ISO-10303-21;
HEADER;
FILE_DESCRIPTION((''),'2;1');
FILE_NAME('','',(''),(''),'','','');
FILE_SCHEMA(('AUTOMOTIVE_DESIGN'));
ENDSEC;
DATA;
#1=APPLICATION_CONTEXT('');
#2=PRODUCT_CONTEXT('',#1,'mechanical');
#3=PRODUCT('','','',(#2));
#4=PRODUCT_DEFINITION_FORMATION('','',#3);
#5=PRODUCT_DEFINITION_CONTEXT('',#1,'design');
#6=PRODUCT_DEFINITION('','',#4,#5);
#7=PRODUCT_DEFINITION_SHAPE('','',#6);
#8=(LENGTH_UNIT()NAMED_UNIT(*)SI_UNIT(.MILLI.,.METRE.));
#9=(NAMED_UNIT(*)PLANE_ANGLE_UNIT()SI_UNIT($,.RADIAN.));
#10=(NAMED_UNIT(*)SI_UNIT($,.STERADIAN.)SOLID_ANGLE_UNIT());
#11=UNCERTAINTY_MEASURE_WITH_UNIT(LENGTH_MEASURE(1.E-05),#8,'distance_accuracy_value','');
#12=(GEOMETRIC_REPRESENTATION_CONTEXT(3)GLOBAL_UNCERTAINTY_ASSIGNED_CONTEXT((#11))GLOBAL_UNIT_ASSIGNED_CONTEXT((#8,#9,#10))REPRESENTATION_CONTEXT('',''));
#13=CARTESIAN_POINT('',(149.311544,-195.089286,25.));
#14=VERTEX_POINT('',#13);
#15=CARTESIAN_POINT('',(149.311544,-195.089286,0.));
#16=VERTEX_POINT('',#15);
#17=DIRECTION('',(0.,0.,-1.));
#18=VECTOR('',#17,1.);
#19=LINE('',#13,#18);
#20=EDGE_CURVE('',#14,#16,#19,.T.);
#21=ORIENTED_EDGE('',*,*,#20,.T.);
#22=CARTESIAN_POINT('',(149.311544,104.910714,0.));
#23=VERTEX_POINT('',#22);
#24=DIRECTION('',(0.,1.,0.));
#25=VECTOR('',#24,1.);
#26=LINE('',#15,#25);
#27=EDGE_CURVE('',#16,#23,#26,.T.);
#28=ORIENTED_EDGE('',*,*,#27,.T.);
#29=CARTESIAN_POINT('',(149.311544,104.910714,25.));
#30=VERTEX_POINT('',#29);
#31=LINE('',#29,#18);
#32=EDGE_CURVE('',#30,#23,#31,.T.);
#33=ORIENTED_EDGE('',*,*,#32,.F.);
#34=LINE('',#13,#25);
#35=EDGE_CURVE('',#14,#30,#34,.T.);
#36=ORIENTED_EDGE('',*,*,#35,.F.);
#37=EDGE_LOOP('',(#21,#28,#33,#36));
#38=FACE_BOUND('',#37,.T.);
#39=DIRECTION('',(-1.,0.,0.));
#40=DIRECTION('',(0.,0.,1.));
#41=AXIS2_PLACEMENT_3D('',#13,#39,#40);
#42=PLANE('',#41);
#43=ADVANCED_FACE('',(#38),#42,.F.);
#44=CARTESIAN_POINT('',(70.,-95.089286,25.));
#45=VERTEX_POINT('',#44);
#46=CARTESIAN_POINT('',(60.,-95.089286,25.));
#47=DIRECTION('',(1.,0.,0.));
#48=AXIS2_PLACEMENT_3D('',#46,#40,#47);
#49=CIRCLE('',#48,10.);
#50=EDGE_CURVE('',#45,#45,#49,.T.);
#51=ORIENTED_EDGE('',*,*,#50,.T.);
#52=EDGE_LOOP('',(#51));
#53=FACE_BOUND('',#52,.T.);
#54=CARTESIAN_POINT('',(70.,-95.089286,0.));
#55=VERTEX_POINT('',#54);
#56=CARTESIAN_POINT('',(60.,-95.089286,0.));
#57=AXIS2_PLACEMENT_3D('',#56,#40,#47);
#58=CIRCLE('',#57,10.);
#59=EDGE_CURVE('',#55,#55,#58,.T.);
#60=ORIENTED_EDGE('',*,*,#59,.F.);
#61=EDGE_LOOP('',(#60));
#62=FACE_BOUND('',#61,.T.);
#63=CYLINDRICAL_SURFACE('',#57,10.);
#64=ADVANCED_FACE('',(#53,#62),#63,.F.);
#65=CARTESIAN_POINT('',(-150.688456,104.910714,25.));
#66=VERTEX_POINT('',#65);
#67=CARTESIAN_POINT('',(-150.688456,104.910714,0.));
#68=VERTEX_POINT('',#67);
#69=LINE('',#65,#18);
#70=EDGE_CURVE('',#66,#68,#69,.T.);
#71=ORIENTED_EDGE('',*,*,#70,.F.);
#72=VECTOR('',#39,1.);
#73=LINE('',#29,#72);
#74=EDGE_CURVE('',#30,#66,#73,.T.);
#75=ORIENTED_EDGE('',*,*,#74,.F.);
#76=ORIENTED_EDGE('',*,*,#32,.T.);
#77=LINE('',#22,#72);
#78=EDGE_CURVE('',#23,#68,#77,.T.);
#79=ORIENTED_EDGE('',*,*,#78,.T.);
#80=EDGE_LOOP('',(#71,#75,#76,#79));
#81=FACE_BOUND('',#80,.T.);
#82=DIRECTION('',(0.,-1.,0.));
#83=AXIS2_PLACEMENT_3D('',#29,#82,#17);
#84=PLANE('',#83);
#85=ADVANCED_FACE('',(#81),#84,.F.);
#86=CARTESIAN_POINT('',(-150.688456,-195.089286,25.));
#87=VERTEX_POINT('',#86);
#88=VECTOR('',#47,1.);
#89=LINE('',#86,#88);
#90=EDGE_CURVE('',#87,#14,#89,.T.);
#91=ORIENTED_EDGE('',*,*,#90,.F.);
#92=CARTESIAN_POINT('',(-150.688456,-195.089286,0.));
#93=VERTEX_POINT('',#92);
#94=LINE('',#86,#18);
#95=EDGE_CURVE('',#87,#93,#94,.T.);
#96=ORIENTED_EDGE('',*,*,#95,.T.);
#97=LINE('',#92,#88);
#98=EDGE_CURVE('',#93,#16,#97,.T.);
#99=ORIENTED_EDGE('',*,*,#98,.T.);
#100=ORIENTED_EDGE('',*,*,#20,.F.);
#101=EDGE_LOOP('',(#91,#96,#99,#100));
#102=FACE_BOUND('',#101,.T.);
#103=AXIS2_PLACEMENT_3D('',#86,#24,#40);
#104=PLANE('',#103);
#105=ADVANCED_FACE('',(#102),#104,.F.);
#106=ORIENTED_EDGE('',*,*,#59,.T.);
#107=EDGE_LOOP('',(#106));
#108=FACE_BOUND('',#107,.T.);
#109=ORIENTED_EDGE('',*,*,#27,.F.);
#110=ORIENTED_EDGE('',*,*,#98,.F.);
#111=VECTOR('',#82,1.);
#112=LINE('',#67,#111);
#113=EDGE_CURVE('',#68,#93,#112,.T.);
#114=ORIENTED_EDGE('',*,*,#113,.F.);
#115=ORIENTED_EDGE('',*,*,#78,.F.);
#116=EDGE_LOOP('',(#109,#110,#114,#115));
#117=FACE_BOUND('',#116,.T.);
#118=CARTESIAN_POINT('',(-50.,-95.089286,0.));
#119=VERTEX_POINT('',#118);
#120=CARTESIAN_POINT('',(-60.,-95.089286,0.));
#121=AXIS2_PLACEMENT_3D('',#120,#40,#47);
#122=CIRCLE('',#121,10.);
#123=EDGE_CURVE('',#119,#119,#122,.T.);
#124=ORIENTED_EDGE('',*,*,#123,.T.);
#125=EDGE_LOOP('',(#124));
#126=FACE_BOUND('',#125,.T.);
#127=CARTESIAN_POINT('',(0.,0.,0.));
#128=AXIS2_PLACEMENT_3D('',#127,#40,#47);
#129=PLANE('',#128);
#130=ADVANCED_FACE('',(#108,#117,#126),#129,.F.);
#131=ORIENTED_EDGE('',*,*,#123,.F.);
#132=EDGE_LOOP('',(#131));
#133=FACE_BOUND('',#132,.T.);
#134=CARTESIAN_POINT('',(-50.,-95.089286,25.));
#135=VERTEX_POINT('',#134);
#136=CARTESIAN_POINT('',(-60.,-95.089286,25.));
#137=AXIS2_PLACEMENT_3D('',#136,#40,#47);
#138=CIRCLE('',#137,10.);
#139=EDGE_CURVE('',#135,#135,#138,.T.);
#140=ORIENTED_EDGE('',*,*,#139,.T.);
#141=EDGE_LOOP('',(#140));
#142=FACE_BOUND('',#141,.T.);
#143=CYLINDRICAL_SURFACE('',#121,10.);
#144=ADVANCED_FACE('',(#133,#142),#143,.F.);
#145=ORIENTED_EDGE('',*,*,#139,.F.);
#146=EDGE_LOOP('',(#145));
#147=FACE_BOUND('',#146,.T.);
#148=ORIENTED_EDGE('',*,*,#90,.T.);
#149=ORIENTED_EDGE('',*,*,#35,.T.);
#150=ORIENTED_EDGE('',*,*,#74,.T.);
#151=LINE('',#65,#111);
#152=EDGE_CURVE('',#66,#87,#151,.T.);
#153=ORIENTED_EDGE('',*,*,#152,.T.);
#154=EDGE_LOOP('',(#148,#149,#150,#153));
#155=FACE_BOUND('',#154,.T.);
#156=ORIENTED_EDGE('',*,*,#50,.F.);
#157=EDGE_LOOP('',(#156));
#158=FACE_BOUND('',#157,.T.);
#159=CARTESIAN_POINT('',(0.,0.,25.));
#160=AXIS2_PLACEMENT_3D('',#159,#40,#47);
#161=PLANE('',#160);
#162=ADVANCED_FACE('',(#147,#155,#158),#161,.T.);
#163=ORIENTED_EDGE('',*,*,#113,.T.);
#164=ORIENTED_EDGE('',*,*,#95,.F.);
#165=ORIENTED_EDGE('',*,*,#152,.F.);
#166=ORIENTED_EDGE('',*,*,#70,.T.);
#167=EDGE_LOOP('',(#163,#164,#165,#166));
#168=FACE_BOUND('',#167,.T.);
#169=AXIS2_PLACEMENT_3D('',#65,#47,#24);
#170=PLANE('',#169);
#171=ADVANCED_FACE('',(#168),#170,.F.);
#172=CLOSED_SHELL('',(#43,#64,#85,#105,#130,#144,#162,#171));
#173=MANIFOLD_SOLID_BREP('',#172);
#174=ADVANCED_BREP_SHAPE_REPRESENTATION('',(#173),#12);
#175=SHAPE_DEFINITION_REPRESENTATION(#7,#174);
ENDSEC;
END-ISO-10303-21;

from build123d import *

# Parameters (mm, degrees)
CROQUIS1_W              = 300
CROQUIS1_H              = 300
SALIENTE_EXTRUIR1_DEPTH = 25
CROQUIS2_R              = 10
CORTAR_EXTRUIR1_DEPTH   = 25


with BuildPart() as part:
    # Croquis1 → Saliente-Extruir1 (new body)
    with BuildSketch(Plane.XY):
        with Locations((-0.688455906, -45.089285714)):
            Rectangle(CROQUIS1_W, CROQUIS1_H)
    extrude(amount=SALIENTE_EXTRUIR1_DEPTH)

    # Croquis2 → Cortar-Extruir1 (cut)
    with BuildSketch(Plane.XY.offset(25)):
        with Locations((-60, -95.089285714)):
            Circle(CROQUIS2_R)
        with Locations((60, -95.089285714)):
            Circle(CROQUIS2_R)
    extrude(amount=-CORTAR_EXTRUIR1_DEPTH, mode=Mode.SUBTRACT)


solid = part.part
